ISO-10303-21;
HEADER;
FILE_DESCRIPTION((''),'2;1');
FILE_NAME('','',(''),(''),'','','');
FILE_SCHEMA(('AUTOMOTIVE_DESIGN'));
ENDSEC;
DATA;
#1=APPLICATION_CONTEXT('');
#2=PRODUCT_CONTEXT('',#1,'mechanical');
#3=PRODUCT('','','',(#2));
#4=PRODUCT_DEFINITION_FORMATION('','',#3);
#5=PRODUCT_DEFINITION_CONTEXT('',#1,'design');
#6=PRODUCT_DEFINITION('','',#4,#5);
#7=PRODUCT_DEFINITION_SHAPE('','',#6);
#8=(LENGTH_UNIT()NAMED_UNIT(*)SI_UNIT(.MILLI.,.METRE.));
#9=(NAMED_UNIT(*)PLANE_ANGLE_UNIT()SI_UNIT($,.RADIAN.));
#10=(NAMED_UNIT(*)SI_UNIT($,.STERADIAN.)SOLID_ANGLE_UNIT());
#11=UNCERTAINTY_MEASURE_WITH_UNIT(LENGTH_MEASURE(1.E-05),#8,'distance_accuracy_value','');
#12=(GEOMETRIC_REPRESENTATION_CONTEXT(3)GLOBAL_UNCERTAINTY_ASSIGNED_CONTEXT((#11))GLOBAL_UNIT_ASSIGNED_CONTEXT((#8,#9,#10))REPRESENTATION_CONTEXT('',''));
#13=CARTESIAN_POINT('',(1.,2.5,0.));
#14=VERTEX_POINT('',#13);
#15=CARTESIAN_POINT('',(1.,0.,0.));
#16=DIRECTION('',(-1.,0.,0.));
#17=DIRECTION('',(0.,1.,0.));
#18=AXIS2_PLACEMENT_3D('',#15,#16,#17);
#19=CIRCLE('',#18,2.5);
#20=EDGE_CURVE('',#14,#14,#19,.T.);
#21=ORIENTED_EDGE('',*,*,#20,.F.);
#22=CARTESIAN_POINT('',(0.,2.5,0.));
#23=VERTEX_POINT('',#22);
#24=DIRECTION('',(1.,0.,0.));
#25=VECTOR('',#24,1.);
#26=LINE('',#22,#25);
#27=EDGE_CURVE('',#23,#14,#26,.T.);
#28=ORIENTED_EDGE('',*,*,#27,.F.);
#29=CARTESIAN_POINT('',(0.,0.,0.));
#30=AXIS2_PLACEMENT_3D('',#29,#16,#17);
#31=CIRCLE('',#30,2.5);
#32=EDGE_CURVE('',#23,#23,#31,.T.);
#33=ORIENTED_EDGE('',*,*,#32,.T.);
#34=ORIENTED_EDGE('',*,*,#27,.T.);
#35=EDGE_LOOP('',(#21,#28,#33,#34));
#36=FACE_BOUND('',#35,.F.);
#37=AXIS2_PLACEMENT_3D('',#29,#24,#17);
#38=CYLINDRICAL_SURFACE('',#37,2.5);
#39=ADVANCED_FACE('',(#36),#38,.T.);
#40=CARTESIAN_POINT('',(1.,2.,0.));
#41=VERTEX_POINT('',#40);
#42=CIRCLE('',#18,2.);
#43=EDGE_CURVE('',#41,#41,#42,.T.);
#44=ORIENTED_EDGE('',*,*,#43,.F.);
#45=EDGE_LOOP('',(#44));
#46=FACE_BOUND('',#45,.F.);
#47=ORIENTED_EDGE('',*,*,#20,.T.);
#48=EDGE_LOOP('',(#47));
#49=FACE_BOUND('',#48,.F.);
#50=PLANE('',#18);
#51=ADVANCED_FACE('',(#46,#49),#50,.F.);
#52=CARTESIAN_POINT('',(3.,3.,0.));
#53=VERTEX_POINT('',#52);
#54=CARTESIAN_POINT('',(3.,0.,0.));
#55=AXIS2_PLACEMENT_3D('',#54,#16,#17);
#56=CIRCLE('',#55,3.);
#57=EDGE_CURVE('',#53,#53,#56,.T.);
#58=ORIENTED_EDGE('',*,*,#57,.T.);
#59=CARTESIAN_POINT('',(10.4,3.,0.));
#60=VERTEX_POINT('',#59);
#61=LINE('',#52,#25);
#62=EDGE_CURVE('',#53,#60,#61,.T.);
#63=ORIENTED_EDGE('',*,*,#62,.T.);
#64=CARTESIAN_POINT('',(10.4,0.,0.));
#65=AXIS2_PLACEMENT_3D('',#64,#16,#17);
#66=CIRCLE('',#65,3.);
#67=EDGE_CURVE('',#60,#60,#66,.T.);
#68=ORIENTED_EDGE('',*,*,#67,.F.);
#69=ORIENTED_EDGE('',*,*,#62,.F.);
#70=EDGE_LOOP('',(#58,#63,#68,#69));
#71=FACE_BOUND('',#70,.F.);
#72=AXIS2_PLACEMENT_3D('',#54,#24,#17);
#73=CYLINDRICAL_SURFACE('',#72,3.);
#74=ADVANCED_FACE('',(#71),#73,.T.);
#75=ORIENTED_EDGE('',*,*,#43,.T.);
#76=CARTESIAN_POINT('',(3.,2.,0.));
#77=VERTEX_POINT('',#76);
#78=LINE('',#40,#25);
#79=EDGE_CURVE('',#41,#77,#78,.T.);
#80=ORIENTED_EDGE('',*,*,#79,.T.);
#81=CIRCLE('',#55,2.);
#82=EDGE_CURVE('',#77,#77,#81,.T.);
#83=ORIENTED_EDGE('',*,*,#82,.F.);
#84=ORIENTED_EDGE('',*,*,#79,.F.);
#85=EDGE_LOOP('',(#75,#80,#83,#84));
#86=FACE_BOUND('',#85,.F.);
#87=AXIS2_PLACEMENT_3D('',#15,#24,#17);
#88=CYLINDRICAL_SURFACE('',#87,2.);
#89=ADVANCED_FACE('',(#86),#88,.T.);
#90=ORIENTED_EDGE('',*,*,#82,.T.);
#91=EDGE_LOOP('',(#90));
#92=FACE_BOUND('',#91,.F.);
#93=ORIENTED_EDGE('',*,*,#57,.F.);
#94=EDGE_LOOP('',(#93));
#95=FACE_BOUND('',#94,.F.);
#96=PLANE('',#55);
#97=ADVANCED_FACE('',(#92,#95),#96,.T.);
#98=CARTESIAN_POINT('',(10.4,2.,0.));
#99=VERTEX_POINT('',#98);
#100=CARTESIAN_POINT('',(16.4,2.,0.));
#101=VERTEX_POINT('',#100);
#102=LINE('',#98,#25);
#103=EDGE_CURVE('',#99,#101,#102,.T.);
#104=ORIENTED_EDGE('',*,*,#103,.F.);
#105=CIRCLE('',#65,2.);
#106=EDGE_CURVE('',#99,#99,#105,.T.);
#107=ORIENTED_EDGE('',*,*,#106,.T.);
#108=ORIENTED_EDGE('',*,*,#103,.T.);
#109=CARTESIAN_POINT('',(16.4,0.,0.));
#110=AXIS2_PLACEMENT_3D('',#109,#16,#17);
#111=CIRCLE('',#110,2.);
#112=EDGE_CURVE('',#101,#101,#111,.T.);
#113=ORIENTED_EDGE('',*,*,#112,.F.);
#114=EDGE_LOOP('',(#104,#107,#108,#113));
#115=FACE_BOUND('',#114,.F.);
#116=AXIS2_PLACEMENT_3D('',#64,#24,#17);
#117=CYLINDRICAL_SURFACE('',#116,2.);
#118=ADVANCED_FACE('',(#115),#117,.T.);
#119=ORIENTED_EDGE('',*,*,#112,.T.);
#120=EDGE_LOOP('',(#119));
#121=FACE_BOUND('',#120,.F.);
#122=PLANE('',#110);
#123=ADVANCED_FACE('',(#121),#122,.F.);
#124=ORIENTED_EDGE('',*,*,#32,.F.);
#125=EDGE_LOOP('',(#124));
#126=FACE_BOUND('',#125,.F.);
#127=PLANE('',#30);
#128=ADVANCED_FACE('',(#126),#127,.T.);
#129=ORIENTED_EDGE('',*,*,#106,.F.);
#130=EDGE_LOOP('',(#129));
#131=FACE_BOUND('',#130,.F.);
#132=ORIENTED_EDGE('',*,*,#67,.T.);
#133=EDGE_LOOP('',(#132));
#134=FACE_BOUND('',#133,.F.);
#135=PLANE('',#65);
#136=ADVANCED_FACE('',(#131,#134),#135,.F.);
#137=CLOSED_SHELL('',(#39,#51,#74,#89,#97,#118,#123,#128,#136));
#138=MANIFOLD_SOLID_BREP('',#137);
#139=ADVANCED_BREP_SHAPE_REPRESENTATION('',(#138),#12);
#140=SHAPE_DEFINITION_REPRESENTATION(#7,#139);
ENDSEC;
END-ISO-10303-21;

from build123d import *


with BuildPart() as part:
    # Esquisse1 → Révolution1 (revolve)
    with BuildSketch(Plane.XY):
        Polygon((0, 0), (0, 2.5), (1, 2.5), (1, 2), (3, 2), (3, 3), (10.4, 3), (10.4, 2), (16.4, 2), (16.4, 0), align=None)
    revolve(axis=Axis((16.4, 0, 0), (-1, 0, 0)))


solid = part.part
